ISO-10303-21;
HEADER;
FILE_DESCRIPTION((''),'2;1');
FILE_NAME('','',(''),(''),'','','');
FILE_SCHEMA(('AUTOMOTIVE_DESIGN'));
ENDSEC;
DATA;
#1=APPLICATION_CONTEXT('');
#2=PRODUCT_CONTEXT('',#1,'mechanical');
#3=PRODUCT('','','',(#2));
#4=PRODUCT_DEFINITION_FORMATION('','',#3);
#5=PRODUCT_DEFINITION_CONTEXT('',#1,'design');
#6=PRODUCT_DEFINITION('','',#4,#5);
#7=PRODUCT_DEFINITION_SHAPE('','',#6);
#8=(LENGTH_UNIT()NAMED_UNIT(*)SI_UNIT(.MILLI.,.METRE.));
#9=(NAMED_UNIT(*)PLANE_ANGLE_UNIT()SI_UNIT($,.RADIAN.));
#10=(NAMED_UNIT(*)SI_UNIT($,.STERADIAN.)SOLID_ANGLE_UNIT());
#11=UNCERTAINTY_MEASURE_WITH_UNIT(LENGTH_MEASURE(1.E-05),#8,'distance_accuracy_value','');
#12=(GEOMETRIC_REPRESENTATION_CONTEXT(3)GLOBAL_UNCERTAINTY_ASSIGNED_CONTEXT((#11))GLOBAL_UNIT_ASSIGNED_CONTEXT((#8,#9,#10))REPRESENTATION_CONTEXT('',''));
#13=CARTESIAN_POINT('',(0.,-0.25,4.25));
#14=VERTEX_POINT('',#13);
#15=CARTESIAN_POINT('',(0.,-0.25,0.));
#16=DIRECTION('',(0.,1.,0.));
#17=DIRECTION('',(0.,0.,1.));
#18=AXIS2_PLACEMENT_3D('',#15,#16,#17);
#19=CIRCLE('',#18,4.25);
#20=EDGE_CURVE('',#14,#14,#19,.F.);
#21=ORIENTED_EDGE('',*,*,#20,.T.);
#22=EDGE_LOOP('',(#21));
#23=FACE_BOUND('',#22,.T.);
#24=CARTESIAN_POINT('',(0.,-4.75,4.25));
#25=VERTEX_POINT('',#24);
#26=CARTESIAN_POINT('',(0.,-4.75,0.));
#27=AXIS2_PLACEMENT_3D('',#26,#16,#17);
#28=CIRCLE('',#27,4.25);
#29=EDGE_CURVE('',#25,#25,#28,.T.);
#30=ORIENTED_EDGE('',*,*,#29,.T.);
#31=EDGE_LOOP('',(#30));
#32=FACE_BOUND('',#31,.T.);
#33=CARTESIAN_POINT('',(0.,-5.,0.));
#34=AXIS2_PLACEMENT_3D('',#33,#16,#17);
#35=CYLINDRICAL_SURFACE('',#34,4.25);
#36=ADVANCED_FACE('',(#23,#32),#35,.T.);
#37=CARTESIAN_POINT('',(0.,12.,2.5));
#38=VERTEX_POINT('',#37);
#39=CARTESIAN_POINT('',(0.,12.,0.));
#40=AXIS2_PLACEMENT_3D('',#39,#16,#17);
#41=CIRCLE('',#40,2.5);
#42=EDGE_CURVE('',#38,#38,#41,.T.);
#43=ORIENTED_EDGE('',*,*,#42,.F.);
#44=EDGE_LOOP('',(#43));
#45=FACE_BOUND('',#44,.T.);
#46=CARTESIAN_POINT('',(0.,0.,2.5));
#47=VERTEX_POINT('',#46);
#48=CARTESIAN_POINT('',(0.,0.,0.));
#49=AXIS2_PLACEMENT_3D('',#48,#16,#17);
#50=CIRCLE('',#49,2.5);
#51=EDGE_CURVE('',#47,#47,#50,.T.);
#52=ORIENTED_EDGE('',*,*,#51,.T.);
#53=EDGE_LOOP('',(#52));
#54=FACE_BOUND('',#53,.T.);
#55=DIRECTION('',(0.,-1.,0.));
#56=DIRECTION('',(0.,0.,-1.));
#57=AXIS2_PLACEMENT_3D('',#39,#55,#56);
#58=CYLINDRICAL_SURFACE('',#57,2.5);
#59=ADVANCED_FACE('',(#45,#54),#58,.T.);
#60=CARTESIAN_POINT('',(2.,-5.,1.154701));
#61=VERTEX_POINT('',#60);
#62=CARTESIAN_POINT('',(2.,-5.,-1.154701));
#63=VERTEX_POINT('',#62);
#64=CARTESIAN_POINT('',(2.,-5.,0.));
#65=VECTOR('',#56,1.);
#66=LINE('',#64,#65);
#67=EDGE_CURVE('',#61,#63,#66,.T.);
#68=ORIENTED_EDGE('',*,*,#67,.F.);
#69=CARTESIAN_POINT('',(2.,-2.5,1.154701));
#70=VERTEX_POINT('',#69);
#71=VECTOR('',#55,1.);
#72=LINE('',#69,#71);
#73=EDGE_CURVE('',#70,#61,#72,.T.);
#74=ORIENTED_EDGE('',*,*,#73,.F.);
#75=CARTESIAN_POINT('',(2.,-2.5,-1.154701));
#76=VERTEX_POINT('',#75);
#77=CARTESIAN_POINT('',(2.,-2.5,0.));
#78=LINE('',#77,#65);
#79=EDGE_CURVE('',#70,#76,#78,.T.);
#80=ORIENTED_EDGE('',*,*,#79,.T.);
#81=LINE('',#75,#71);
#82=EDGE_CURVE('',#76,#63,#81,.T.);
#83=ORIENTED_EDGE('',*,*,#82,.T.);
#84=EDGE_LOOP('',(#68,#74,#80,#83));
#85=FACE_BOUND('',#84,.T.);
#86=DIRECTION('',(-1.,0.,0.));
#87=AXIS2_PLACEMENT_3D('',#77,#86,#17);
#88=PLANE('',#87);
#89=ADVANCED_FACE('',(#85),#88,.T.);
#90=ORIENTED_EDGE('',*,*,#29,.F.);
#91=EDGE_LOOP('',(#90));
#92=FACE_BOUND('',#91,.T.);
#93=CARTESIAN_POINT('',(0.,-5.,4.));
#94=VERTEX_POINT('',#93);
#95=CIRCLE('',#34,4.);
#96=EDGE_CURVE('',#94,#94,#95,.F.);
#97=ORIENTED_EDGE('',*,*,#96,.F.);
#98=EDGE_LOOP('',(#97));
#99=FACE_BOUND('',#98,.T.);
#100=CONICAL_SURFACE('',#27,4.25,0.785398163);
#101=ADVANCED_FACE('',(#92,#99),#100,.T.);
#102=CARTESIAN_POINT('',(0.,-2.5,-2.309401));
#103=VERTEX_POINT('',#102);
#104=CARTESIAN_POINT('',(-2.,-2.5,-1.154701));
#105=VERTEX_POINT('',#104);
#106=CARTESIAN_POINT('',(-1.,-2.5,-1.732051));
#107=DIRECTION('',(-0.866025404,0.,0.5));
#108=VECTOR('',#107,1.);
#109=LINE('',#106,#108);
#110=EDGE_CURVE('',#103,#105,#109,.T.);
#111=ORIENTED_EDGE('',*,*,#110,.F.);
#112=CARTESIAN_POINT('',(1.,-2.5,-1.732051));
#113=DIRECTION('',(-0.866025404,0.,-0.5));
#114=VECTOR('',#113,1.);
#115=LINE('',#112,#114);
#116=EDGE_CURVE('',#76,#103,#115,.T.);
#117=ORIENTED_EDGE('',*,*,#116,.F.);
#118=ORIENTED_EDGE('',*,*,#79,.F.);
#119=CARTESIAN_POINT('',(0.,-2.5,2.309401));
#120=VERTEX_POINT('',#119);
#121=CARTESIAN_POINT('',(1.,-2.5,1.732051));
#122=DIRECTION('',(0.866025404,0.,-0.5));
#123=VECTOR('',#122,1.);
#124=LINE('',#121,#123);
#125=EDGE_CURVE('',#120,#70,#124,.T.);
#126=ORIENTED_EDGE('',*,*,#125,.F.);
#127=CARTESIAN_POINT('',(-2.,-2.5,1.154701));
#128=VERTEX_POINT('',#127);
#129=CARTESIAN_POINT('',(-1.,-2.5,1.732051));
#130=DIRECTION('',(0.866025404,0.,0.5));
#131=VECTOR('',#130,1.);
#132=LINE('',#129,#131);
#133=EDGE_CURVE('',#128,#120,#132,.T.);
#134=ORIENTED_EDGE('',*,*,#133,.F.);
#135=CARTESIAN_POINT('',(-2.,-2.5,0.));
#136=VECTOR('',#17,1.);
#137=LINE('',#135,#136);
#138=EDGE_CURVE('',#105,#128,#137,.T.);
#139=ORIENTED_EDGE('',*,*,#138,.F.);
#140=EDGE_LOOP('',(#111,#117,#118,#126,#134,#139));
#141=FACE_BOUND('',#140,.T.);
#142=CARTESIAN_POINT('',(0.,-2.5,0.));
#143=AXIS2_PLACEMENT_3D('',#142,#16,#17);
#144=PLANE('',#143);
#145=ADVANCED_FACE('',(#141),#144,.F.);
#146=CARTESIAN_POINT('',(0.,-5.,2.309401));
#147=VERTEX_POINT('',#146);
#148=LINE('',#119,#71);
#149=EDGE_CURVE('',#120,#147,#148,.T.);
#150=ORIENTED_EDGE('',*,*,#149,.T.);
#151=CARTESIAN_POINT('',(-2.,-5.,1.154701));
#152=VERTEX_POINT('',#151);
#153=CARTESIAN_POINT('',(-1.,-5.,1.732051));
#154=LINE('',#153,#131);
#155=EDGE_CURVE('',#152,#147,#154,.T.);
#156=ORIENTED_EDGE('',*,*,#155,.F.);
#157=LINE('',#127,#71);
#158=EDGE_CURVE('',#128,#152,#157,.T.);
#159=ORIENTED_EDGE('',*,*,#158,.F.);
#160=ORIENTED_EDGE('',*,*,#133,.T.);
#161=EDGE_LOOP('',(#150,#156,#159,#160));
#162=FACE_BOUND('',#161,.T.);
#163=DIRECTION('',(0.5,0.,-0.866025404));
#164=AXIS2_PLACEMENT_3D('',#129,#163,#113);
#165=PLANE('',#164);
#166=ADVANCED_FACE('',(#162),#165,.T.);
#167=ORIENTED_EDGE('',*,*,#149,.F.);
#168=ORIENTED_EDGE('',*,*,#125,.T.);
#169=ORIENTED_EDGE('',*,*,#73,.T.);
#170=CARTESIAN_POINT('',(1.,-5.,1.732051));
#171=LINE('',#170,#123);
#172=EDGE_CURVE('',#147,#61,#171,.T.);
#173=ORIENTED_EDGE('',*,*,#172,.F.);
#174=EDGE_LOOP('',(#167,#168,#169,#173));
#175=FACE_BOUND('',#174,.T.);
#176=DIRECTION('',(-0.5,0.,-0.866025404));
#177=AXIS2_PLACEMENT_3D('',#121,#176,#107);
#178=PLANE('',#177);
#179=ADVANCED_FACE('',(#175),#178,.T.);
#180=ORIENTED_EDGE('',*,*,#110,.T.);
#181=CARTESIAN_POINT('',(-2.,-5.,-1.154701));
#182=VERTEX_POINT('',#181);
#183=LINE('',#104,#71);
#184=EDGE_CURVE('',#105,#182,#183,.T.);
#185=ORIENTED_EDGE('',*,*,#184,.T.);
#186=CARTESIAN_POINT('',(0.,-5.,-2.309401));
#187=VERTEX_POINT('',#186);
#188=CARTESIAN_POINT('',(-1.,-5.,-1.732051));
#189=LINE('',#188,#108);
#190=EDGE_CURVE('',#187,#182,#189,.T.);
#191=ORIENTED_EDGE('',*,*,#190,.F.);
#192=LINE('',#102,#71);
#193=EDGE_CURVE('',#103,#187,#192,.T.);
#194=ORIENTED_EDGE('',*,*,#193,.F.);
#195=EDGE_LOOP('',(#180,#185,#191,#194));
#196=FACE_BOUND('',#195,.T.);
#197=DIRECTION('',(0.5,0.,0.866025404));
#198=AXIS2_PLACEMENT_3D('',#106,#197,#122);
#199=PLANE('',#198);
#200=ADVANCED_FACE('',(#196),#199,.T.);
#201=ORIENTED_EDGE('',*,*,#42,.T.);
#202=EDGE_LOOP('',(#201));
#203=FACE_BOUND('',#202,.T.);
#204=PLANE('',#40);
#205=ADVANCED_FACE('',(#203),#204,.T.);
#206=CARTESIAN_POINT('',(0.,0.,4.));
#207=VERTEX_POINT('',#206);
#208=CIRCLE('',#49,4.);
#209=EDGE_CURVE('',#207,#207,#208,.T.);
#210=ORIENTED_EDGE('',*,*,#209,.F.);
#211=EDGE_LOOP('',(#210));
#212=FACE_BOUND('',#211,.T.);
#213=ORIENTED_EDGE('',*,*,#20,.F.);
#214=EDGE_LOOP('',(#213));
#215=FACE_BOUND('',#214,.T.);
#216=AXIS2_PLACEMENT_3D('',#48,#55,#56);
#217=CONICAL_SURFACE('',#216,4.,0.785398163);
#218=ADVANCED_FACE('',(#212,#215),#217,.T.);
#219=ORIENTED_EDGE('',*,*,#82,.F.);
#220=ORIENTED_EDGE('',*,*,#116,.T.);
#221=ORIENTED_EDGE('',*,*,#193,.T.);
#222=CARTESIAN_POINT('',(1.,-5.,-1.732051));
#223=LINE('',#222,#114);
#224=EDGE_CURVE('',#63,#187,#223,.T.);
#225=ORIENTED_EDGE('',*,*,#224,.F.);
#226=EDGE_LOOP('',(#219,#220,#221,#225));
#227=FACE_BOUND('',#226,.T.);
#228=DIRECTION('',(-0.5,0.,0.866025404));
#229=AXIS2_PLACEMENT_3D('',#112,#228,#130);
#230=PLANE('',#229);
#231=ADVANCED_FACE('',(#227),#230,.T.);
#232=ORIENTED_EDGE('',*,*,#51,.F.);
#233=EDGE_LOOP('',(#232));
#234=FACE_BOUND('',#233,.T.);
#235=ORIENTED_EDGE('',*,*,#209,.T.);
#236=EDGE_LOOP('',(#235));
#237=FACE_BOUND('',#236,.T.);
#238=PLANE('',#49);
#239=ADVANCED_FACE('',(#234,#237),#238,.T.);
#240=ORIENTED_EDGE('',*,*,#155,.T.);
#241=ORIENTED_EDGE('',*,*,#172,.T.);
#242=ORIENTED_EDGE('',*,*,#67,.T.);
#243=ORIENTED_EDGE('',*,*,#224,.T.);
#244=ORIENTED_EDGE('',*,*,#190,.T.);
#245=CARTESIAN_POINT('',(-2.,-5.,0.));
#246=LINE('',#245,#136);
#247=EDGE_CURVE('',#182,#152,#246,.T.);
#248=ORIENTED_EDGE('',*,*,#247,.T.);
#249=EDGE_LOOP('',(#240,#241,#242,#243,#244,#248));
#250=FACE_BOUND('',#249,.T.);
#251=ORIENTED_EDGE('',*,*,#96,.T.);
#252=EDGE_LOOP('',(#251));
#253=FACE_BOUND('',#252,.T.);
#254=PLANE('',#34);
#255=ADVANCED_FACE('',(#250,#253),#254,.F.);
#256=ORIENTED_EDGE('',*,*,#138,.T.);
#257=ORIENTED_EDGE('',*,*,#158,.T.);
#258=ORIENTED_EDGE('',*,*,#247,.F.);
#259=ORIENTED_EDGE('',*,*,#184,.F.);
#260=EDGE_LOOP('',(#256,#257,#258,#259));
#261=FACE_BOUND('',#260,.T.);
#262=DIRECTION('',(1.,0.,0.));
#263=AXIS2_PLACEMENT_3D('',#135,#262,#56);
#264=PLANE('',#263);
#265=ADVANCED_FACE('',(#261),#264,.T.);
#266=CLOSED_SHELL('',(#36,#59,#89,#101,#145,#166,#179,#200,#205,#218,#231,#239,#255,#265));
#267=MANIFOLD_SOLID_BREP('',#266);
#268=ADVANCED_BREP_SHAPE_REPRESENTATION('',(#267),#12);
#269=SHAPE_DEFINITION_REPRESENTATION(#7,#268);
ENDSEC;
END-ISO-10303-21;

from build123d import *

# Parameters (mm, degrees)
SKETCH_1_R          = 4.25
EXTRUDE_1_DEPTH     = 5
SKETCH_2_R          = 2.5
EXTRUDE_2_DEPTH     = 12
CUT_EXTRUDE_START   = -5
CUT_EXTRUDE_1_DEPTH = 2.5
CHAMFER_1_SIZE      = 0.25


with BuildPart() as part:
    # 草图1 → 凸台-拉伸1 (new body)
    with BuildSketch(Plane(origin=(0, 0, 0), x_dir=(1, 0, 0), z_dir=(0, 1, 0))):
        with Locations(Location((0, 0, 0), (0, 0, 270))):
            Circle(SKETCH_1_R)
    extrude(amount=-EXTRUDE_1_DEPTH)

    # 草图2 → 凸台-拉伸2 (add)
    with BuildSketch(Plane(origin=(0, 0, 0), x_dir=(1, 0, 0), z_dir=(0, 1, 0))):
        with Locations(Location((0, 0, 0), (0, 0, 270))):
            Circle(SKETCH_2_R)
    extrude(amount=EXTRUDE_2_DEPTH)

    # 草图3 → 切除-拉伸1 (cut)
    with BuildSketch(Plane(origin=(0, 0, 0), x_dir=(1, 0, 0), z_dir=(0, 1, 0)).offset(CUT_EXTRUDE_START)):
        Polygon((2, -1.154700538), (2, 1.154700538), (0, 2.309401077), (-2, 1.154700538), (-2, -1.154700538), (0, -2.309401077), align=None)
    extrude(amount=CUT_EXTRUDE_1_DEPTH, mode=Mode.SUBTRACT)

    # 倒角1
    chamfer_1_edges = [part.edges().sort_by_distance(p)[0] for p in [
        (0, 0, -4.25),
        (0, -5, -4.25),
    ]]
    chamfer(chamfer_1_edges, length=CHAMFER_1_SIZE)


solid = part.part
